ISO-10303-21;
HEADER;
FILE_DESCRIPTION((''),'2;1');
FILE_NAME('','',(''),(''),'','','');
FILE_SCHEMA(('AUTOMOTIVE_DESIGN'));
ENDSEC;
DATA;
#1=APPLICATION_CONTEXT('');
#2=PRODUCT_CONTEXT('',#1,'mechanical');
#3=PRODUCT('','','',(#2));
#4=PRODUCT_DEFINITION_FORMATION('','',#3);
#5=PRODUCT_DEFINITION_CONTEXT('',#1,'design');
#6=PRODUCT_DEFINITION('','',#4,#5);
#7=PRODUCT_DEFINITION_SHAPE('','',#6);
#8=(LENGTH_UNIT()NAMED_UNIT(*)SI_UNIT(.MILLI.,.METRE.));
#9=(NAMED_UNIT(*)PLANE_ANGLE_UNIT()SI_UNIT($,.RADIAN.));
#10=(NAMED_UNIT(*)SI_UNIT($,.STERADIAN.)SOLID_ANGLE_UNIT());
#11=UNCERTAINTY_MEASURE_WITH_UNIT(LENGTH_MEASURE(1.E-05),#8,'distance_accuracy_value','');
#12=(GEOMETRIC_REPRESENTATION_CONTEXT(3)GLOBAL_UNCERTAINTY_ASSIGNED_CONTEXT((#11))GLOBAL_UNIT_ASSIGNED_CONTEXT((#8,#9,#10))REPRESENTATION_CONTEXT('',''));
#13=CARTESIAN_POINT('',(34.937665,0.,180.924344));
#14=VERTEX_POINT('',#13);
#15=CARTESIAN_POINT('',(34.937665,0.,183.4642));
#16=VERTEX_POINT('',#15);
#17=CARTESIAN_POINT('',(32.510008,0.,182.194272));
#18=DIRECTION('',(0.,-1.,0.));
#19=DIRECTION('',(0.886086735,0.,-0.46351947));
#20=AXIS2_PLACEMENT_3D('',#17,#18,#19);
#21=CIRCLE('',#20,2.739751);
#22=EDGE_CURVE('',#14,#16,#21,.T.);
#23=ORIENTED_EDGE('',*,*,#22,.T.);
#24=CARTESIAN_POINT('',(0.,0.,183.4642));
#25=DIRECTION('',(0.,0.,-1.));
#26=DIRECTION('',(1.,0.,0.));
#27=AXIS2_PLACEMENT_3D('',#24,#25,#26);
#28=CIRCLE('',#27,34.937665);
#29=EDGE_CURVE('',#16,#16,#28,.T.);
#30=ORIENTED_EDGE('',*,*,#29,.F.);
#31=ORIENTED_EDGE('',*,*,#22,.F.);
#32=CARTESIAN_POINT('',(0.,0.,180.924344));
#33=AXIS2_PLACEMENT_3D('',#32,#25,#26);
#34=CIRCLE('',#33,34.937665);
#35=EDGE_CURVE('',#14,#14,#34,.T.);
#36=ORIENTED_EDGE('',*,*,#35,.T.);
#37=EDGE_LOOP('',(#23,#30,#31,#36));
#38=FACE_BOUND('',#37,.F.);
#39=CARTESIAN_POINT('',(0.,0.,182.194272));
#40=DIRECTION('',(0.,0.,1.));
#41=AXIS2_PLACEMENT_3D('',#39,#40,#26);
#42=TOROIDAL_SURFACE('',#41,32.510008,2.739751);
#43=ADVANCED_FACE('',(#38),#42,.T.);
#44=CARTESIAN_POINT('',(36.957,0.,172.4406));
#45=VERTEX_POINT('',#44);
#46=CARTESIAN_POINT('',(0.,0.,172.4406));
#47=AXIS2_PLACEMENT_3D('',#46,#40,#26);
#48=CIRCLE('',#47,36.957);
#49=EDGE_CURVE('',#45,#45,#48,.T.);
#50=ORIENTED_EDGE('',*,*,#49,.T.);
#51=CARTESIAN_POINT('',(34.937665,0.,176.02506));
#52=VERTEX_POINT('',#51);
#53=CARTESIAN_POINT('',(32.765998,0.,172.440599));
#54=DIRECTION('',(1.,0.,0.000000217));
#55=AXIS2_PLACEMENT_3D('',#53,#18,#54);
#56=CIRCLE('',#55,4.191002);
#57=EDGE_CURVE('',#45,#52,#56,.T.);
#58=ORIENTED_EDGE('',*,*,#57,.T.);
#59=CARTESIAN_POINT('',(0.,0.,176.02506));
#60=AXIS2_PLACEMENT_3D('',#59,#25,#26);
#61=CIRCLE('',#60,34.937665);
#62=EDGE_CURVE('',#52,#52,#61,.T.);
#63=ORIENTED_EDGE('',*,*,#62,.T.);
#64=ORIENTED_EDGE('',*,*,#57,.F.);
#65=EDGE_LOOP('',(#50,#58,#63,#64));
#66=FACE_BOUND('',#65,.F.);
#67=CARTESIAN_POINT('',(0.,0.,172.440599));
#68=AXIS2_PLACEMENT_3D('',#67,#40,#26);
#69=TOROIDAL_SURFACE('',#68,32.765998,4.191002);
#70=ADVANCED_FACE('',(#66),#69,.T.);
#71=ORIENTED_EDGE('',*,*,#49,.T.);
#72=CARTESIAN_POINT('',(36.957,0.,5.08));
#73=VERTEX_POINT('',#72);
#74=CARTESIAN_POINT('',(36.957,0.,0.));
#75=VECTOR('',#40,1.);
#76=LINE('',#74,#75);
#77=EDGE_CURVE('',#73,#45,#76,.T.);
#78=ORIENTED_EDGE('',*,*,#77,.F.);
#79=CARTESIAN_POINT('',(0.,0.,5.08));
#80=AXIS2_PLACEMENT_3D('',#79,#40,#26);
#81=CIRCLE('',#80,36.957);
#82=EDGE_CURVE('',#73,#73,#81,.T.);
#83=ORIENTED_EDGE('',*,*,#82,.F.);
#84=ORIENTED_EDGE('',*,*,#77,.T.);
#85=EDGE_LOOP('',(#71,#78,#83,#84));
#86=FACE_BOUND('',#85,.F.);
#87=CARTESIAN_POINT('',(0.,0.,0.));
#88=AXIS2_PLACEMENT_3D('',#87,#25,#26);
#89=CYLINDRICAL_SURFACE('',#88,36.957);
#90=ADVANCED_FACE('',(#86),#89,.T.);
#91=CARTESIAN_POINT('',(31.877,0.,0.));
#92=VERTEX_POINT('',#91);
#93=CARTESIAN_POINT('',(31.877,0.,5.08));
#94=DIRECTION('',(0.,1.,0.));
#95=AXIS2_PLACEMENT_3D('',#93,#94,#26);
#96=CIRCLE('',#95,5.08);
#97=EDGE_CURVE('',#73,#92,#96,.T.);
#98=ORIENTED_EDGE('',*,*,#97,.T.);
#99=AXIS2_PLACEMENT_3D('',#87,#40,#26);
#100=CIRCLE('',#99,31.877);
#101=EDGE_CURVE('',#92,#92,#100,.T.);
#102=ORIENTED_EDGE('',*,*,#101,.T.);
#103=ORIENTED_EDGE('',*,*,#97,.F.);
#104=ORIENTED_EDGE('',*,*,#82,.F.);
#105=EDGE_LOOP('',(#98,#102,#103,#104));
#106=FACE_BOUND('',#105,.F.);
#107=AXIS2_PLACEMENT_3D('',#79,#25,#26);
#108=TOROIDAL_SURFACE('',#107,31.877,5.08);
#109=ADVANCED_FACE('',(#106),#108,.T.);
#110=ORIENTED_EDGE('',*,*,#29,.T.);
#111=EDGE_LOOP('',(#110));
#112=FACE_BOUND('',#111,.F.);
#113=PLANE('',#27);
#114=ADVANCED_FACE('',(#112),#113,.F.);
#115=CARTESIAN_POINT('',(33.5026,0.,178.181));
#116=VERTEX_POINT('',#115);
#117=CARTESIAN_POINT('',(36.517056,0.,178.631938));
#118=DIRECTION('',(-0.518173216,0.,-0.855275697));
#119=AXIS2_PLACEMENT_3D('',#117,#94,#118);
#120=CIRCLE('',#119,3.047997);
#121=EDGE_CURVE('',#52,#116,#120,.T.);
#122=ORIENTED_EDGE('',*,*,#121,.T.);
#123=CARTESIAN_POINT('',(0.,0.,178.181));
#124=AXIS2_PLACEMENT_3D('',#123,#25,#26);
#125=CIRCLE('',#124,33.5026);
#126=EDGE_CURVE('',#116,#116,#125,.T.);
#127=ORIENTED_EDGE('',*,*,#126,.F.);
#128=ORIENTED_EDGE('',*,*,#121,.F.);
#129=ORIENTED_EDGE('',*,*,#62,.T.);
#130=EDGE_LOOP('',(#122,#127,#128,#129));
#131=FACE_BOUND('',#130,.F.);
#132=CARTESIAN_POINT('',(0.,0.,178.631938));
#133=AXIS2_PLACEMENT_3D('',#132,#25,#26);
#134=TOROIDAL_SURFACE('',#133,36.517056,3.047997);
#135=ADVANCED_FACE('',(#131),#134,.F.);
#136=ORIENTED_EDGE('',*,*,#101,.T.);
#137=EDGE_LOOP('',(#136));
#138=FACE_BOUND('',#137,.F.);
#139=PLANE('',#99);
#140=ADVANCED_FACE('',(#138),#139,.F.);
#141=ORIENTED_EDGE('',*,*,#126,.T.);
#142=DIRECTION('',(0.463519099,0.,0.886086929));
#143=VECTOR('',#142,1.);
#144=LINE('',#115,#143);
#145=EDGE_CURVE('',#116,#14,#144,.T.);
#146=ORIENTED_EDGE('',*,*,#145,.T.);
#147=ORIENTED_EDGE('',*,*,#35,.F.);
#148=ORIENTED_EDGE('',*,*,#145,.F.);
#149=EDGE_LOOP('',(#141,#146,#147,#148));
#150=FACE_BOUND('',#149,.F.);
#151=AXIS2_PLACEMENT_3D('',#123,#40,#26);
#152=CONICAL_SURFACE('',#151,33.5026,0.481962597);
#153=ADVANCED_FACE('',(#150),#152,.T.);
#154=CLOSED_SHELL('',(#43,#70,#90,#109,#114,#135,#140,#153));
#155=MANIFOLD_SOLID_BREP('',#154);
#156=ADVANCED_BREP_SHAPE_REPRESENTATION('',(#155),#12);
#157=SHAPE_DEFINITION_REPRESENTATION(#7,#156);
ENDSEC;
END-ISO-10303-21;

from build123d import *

# Parameters (mm, degrees)
F0_R     = 36.957
F1_DEPTH = 172.4406
F4_R     = 5.08


with BuildPart() as f1:
    # F0 (on Top) → F1 (new body)
    with BuildSketch(Plane.XY):
        Circle(F0_R)
    extrude(amount=F1_DEPTH)

    # F2 (on Front) → F3 (revolve)
    with BuildSketch(Plane.XZ):
        with BuildLine():
            Line((0, 172.4406), (36.957, 172.4406))
            ThreePointArc((36.957, 172.4406), (36.417433, 174.497665), (34.937665, 176.02506))
            ThreePointArc((34.937665, 176.02506), (33.979759, 176.943029), (33.5026, 178.181))
            Line((33.5026, 178.181), (34.937665, 180.924344))
            ThreePointArc((34.937665, 180.924344), (35.249759, 182.194272), (34.937665, 183.4642))
            Line((34.937665, 183.4642), (0, 183.4642))
            Line((0, 183.4642), (0, 172.4406))
        make_face()
    revolve(axis=Axis((0, 0, 177.9524), (0, 0, -1)))

    # F4
    f4_edges = [f1.edges().sort_by_distance(p)[0] for p in [
        (-36.957, 0, 0),
    ]]
    fillet(f4_edges, radius=F4_R)


solid = f1.part
